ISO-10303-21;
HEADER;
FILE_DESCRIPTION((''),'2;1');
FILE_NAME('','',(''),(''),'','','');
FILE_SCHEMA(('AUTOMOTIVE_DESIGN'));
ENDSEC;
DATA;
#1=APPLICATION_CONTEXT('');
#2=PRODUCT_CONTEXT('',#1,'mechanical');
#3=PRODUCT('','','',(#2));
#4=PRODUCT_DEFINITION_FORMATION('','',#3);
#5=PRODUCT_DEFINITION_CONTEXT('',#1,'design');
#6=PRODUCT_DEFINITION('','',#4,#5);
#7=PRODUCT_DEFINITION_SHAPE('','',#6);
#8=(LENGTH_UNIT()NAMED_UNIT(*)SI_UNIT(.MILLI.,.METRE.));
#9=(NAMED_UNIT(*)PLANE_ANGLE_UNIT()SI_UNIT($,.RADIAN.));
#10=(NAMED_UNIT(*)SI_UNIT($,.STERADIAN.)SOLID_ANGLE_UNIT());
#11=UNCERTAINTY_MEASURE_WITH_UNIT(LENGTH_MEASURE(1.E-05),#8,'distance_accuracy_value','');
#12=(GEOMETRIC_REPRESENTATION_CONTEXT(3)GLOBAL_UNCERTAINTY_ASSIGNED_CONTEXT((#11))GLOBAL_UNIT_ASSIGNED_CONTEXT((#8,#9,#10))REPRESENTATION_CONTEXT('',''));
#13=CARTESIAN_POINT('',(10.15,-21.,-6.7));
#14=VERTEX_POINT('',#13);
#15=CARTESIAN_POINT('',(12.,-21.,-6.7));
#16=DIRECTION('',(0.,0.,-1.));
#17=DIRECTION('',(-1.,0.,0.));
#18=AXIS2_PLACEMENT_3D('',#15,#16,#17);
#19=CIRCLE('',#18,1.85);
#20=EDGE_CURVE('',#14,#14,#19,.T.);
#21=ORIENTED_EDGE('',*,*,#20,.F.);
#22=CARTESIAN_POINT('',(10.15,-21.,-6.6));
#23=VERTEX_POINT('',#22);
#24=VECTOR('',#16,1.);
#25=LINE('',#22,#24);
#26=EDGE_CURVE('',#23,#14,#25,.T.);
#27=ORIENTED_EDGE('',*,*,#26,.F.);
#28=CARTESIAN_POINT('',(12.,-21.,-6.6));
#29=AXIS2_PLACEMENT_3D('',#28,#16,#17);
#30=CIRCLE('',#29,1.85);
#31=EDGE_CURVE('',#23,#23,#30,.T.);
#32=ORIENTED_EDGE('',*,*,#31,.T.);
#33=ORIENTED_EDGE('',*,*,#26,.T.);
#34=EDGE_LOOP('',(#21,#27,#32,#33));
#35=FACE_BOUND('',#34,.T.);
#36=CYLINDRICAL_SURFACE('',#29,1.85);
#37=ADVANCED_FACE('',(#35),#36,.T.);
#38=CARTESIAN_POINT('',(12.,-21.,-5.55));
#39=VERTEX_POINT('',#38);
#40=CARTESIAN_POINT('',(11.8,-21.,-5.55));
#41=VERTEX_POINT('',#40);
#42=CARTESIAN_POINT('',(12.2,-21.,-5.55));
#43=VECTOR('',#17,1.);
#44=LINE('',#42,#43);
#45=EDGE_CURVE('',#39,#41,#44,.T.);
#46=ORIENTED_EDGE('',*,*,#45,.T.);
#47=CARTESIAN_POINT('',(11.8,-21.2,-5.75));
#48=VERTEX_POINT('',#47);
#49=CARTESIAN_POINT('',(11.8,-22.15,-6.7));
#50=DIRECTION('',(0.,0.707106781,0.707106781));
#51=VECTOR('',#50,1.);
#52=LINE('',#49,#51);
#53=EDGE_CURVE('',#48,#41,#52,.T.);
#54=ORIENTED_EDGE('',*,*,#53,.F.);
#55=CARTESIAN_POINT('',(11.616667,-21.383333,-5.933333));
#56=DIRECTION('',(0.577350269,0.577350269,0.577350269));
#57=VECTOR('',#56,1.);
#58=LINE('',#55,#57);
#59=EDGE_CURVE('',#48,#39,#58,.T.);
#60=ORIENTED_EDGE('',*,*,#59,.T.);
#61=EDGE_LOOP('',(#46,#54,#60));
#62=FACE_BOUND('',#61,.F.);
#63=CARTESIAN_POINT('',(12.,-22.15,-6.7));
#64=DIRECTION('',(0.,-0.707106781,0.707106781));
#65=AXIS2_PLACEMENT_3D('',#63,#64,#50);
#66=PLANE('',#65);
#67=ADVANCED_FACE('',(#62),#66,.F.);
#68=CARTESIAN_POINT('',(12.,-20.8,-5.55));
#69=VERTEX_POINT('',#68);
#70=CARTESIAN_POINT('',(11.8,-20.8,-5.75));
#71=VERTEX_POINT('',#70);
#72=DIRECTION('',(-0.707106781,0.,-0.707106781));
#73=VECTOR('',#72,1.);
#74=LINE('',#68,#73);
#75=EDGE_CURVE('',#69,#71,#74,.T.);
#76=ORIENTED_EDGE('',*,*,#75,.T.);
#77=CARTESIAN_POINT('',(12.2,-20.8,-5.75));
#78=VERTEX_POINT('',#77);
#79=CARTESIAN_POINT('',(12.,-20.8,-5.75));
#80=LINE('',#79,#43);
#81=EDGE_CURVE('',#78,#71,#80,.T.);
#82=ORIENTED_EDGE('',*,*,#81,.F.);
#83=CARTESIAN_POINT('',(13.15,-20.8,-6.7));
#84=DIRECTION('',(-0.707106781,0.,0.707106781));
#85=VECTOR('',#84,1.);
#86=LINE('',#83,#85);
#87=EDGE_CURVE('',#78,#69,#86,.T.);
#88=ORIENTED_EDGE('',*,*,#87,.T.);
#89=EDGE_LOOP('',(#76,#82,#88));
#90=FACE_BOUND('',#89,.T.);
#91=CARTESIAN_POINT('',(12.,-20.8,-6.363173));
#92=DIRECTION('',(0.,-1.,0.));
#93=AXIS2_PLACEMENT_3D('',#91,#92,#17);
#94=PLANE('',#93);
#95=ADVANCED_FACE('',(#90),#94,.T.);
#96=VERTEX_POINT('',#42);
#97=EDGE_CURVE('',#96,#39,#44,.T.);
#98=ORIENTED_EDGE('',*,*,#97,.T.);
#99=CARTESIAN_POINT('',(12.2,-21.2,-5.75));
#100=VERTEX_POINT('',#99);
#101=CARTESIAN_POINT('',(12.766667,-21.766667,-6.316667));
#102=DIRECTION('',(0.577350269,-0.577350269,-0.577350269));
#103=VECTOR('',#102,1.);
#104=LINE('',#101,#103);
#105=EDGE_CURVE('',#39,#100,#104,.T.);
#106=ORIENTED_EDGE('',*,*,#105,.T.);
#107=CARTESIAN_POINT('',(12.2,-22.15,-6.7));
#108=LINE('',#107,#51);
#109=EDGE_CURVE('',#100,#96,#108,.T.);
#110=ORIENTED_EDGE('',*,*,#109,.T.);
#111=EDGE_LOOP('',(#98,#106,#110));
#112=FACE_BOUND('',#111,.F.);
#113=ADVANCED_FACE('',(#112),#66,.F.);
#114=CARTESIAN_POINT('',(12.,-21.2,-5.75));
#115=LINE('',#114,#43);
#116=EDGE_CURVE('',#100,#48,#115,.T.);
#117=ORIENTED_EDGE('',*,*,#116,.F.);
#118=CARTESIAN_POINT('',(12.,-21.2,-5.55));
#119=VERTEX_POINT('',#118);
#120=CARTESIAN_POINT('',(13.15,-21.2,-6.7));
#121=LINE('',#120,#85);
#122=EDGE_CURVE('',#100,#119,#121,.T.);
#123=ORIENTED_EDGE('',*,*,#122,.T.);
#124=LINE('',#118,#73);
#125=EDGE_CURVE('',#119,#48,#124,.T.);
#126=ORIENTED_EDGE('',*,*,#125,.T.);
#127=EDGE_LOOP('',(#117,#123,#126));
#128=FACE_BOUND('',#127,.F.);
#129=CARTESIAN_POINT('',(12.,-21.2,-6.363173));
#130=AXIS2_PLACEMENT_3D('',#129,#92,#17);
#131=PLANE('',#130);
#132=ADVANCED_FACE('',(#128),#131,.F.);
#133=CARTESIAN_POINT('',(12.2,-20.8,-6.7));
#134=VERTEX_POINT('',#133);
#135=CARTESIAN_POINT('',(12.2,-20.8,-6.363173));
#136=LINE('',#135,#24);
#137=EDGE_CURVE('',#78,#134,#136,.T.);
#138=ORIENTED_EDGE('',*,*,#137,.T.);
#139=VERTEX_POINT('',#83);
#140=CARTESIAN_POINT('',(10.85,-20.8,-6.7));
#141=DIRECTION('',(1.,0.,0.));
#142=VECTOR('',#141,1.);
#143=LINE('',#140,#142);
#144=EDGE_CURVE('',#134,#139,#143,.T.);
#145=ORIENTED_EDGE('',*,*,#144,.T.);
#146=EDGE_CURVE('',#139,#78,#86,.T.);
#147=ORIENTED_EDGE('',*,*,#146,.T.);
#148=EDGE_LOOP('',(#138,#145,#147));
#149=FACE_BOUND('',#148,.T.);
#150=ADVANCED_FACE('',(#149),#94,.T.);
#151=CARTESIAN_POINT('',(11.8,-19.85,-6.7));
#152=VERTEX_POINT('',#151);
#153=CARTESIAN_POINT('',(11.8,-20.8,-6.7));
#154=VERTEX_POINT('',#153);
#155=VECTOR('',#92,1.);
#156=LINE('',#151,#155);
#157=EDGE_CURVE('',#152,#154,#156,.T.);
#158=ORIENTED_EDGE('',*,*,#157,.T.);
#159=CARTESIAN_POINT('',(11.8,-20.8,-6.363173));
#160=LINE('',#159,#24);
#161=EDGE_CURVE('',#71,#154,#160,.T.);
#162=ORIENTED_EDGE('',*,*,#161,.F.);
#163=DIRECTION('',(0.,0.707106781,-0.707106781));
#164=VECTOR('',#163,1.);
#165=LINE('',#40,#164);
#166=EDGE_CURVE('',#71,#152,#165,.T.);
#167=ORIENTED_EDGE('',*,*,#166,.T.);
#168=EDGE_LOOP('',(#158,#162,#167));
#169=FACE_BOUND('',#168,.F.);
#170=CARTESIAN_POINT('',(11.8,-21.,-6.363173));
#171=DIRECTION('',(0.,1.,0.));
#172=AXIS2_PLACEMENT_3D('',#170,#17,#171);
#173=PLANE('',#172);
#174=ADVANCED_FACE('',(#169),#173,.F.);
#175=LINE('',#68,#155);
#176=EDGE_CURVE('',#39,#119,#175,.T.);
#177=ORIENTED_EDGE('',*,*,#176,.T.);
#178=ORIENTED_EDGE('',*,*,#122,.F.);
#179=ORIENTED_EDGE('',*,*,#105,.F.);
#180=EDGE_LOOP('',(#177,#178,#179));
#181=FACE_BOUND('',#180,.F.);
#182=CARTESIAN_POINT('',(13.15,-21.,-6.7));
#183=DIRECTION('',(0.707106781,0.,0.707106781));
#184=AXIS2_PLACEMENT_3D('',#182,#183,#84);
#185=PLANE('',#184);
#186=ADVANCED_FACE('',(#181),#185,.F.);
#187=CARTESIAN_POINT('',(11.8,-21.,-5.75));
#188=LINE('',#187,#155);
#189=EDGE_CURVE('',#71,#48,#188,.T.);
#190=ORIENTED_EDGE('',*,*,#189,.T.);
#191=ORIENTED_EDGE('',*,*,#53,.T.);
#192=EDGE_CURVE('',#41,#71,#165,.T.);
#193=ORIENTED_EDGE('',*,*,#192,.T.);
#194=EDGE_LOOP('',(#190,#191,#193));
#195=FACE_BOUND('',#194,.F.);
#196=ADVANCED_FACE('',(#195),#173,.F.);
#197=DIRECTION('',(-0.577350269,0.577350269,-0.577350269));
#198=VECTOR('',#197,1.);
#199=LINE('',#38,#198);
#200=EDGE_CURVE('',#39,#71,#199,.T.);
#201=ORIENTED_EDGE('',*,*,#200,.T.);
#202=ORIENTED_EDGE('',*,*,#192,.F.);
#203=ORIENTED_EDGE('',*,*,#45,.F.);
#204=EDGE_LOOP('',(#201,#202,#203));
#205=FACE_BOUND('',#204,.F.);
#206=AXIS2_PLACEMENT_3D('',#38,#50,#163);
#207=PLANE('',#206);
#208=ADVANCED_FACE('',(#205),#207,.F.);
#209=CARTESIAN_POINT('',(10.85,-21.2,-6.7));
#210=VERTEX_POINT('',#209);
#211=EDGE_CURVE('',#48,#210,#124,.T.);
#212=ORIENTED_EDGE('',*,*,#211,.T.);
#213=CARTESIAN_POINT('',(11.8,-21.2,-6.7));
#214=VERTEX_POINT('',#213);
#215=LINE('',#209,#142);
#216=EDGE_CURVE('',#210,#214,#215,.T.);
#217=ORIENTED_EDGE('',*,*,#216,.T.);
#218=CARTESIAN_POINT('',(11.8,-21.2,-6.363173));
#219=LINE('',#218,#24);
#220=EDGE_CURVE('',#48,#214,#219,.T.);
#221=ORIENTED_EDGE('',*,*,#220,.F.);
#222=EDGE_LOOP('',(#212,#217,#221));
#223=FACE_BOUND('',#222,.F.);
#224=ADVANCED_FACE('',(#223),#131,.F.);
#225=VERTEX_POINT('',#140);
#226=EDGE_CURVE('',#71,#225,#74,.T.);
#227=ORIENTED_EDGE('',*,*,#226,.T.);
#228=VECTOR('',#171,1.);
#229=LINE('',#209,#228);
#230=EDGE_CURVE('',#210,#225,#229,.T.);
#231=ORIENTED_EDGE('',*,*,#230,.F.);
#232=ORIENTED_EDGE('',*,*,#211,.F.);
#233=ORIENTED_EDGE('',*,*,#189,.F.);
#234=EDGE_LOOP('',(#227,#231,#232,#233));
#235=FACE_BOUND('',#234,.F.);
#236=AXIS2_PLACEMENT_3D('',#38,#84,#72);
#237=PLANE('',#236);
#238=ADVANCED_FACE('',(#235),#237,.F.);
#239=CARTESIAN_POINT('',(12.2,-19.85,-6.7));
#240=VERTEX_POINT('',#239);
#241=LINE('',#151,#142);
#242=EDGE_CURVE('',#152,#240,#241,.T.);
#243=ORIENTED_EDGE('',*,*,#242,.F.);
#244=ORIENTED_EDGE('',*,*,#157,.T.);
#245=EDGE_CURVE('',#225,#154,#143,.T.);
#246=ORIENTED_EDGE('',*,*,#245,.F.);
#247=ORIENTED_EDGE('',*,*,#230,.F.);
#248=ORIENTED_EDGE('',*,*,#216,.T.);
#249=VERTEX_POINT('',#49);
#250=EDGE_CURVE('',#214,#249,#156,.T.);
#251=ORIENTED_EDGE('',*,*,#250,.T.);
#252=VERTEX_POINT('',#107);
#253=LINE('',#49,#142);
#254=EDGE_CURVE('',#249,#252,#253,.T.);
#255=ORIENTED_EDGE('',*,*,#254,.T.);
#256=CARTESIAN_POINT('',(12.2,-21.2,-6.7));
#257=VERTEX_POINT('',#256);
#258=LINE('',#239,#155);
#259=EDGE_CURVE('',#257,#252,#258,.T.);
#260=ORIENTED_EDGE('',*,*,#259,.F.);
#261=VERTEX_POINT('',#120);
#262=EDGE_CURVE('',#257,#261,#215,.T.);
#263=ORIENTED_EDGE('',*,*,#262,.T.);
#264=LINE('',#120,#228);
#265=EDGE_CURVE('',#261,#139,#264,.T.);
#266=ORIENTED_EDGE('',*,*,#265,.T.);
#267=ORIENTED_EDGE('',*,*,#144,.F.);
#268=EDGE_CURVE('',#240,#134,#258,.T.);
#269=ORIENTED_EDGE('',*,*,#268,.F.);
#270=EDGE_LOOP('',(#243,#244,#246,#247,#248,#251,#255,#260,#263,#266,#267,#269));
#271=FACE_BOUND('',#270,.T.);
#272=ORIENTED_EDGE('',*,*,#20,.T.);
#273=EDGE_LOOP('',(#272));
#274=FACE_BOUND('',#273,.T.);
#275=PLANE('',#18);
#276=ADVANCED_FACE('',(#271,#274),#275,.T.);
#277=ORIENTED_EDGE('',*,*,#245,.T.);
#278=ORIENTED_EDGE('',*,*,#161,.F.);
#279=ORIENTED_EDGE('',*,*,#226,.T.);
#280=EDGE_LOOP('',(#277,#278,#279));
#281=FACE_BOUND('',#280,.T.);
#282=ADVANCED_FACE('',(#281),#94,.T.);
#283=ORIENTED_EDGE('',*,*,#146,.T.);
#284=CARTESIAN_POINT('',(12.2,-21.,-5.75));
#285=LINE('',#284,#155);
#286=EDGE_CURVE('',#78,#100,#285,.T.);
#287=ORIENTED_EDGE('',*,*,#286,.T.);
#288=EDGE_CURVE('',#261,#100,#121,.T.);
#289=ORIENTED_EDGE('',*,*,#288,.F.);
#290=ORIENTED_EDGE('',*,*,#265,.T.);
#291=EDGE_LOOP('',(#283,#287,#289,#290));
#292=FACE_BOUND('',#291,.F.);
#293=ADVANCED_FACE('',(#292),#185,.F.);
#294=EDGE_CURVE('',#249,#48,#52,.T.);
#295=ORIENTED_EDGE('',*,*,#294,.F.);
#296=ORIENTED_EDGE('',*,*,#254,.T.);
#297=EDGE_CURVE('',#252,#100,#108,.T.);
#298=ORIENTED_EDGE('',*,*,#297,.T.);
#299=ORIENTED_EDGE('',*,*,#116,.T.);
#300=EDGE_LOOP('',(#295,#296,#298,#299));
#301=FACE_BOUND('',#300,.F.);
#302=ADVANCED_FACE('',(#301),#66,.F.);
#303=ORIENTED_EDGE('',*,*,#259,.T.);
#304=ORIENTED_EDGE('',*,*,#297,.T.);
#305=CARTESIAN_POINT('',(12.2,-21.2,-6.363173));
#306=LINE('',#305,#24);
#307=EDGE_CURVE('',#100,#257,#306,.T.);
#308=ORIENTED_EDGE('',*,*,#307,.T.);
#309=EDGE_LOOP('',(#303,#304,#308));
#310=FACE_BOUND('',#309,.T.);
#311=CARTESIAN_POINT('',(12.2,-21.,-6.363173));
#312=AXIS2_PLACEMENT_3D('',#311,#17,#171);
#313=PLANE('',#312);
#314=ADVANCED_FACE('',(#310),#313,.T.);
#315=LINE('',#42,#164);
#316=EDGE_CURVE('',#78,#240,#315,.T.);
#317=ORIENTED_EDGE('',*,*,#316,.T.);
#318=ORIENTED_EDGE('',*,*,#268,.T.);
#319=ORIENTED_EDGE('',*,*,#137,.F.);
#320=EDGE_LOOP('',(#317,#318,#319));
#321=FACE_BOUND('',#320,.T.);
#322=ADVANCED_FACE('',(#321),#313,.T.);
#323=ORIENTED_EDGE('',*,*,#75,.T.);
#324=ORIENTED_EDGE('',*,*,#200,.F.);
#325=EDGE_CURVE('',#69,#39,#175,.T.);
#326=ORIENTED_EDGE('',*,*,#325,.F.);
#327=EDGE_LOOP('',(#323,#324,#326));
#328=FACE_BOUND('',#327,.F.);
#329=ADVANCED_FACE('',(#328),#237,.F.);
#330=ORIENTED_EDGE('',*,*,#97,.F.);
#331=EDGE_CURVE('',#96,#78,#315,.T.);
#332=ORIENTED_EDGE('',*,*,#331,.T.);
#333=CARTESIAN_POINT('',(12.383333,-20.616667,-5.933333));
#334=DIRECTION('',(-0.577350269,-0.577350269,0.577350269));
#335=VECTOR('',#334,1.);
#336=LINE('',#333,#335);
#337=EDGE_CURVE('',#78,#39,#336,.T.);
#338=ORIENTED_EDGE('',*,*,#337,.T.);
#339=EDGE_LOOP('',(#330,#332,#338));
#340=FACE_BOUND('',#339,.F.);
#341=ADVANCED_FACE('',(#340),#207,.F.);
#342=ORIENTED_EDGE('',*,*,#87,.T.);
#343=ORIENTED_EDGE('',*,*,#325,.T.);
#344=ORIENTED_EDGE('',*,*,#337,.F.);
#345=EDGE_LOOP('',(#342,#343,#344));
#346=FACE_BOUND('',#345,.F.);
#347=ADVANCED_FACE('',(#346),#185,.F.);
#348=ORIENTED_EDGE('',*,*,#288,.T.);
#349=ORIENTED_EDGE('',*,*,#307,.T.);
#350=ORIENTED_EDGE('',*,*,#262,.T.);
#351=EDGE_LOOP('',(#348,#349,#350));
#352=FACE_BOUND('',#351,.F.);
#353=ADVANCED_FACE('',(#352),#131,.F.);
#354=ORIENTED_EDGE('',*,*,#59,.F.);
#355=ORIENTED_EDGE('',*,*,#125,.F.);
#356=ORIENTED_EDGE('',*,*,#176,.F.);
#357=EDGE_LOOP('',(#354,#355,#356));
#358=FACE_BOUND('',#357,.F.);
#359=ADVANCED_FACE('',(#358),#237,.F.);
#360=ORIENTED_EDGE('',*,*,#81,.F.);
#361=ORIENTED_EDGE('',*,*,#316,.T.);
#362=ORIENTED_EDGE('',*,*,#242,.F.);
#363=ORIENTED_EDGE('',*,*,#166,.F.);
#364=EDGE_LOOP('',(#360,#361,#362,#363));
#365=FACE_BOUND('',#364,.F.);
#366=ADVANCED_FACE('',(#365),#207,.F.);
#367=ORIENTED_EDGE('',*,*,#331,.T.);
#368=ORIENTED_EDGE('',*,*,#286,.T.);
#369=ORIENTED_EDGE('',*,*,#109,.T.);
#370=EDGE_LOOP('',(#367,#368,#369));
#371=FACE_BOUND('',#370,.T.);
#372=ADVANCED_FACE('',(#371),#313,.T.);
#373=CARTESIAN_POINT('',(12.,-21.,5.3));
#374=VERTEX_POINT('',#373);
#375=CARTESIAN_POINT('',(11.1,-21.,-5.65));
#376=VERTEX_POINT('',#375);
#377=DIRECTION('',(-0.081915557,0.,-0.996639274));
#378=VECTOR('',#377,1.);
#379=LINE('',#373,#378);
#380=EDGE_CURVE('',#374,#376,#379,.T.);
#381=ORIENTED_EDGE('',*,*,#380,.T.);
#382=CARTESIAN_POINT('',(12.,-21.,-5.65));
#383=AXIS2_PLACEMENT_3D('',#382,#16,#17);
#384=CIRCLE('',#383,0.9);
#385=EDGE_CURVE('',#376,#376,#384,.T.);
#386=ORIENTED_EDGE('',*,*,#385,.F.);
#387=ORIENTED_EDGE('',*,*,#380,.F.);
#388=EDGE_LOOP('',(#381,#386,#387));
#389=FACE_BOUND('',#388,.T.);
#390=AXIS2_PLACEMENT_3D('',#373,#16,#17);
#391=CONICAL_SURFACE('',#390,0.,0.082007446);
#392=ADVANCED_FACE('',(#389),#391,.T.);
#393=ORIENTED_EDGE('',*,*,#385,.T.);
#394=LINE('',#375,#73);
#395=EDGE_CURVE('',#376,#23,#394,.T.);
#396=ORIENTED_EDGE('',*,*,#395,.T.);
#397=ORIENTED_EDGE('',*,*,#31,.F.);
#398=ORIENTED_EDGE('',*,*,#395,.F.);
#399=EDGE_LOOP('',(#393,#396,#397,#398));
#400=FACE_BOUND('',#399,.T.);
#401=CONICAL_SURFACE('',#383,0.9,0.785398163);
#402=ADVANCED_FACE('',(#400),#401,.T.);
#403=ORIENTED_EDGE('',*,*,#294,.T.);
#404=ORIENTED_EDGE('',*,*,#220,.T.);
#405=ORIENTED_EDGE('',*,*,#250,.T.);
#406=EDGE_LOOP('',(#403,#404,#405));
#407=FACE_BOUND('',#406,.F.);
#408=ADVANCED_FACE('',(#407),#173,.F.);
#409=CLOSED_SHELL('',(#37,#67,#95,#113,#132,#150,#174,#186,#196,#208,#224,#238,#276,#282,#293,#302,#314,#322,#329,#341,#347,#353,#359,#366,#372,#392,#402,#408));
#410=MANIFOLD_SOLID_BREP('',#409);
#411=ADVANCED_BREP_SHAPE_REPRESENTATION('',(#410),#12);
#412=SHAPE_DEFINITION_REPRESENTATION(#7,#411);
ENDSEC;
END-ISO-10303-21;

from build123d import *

# Parameters (mm, degrees)
POCKET005_DEPTH         = 0.2
POLARPATTERN005_COUNT   = 2
POLARPATTERN005_ANGLE   = 90
BODY009_PLACEMENT_ANGLE = 180


with BuildPart() as part:
    # Sketch017 → Revolution005 (revolve)
    with BuildSketch(Plane.XZ):
        Polygon((0, 0), (0, -12), (0.9, -1.05), (1.85, -0.1), (1.85, 0), align=None)
    revolve(axis=Axis((0, 0, 0), (0, 0, 1)))

    # Sketch018 → Pocket005 (cut, symmetric)
    with BuildSketch(Plane.XZ):
        Polygon((-1.15, 0), (0, -1.15), (1.15, 0), align=None)
    pocket005 = extrude(amount=POCKET005_DEPTH, both=True, mode=Mode.SUBTRACT)

    # PolarPattern005: Pocket005 ×2 about axis
    polarpattern005_axis = Axis((0, 0, 0), (0, 0, 1))
    for i in range(1, POLARPATTERN005_COUNT):
        add(pocket005.rotate(polarpattern005_axis, i * POLARPATTERN005_ANGLE / (POLARPATTERN005_COUNT - 1)), mode=Mode.SUBTRACT)


with BuildPart() as part_1:
    # Body009 placement: moved
    add(part.part.moved(Location((12, -21, -6.7))).rotate(Axis((12, -21, -6.7), (0, 1, 0)), BODY009_PLACEMENT_ANGLE))


solid = part_1.part
